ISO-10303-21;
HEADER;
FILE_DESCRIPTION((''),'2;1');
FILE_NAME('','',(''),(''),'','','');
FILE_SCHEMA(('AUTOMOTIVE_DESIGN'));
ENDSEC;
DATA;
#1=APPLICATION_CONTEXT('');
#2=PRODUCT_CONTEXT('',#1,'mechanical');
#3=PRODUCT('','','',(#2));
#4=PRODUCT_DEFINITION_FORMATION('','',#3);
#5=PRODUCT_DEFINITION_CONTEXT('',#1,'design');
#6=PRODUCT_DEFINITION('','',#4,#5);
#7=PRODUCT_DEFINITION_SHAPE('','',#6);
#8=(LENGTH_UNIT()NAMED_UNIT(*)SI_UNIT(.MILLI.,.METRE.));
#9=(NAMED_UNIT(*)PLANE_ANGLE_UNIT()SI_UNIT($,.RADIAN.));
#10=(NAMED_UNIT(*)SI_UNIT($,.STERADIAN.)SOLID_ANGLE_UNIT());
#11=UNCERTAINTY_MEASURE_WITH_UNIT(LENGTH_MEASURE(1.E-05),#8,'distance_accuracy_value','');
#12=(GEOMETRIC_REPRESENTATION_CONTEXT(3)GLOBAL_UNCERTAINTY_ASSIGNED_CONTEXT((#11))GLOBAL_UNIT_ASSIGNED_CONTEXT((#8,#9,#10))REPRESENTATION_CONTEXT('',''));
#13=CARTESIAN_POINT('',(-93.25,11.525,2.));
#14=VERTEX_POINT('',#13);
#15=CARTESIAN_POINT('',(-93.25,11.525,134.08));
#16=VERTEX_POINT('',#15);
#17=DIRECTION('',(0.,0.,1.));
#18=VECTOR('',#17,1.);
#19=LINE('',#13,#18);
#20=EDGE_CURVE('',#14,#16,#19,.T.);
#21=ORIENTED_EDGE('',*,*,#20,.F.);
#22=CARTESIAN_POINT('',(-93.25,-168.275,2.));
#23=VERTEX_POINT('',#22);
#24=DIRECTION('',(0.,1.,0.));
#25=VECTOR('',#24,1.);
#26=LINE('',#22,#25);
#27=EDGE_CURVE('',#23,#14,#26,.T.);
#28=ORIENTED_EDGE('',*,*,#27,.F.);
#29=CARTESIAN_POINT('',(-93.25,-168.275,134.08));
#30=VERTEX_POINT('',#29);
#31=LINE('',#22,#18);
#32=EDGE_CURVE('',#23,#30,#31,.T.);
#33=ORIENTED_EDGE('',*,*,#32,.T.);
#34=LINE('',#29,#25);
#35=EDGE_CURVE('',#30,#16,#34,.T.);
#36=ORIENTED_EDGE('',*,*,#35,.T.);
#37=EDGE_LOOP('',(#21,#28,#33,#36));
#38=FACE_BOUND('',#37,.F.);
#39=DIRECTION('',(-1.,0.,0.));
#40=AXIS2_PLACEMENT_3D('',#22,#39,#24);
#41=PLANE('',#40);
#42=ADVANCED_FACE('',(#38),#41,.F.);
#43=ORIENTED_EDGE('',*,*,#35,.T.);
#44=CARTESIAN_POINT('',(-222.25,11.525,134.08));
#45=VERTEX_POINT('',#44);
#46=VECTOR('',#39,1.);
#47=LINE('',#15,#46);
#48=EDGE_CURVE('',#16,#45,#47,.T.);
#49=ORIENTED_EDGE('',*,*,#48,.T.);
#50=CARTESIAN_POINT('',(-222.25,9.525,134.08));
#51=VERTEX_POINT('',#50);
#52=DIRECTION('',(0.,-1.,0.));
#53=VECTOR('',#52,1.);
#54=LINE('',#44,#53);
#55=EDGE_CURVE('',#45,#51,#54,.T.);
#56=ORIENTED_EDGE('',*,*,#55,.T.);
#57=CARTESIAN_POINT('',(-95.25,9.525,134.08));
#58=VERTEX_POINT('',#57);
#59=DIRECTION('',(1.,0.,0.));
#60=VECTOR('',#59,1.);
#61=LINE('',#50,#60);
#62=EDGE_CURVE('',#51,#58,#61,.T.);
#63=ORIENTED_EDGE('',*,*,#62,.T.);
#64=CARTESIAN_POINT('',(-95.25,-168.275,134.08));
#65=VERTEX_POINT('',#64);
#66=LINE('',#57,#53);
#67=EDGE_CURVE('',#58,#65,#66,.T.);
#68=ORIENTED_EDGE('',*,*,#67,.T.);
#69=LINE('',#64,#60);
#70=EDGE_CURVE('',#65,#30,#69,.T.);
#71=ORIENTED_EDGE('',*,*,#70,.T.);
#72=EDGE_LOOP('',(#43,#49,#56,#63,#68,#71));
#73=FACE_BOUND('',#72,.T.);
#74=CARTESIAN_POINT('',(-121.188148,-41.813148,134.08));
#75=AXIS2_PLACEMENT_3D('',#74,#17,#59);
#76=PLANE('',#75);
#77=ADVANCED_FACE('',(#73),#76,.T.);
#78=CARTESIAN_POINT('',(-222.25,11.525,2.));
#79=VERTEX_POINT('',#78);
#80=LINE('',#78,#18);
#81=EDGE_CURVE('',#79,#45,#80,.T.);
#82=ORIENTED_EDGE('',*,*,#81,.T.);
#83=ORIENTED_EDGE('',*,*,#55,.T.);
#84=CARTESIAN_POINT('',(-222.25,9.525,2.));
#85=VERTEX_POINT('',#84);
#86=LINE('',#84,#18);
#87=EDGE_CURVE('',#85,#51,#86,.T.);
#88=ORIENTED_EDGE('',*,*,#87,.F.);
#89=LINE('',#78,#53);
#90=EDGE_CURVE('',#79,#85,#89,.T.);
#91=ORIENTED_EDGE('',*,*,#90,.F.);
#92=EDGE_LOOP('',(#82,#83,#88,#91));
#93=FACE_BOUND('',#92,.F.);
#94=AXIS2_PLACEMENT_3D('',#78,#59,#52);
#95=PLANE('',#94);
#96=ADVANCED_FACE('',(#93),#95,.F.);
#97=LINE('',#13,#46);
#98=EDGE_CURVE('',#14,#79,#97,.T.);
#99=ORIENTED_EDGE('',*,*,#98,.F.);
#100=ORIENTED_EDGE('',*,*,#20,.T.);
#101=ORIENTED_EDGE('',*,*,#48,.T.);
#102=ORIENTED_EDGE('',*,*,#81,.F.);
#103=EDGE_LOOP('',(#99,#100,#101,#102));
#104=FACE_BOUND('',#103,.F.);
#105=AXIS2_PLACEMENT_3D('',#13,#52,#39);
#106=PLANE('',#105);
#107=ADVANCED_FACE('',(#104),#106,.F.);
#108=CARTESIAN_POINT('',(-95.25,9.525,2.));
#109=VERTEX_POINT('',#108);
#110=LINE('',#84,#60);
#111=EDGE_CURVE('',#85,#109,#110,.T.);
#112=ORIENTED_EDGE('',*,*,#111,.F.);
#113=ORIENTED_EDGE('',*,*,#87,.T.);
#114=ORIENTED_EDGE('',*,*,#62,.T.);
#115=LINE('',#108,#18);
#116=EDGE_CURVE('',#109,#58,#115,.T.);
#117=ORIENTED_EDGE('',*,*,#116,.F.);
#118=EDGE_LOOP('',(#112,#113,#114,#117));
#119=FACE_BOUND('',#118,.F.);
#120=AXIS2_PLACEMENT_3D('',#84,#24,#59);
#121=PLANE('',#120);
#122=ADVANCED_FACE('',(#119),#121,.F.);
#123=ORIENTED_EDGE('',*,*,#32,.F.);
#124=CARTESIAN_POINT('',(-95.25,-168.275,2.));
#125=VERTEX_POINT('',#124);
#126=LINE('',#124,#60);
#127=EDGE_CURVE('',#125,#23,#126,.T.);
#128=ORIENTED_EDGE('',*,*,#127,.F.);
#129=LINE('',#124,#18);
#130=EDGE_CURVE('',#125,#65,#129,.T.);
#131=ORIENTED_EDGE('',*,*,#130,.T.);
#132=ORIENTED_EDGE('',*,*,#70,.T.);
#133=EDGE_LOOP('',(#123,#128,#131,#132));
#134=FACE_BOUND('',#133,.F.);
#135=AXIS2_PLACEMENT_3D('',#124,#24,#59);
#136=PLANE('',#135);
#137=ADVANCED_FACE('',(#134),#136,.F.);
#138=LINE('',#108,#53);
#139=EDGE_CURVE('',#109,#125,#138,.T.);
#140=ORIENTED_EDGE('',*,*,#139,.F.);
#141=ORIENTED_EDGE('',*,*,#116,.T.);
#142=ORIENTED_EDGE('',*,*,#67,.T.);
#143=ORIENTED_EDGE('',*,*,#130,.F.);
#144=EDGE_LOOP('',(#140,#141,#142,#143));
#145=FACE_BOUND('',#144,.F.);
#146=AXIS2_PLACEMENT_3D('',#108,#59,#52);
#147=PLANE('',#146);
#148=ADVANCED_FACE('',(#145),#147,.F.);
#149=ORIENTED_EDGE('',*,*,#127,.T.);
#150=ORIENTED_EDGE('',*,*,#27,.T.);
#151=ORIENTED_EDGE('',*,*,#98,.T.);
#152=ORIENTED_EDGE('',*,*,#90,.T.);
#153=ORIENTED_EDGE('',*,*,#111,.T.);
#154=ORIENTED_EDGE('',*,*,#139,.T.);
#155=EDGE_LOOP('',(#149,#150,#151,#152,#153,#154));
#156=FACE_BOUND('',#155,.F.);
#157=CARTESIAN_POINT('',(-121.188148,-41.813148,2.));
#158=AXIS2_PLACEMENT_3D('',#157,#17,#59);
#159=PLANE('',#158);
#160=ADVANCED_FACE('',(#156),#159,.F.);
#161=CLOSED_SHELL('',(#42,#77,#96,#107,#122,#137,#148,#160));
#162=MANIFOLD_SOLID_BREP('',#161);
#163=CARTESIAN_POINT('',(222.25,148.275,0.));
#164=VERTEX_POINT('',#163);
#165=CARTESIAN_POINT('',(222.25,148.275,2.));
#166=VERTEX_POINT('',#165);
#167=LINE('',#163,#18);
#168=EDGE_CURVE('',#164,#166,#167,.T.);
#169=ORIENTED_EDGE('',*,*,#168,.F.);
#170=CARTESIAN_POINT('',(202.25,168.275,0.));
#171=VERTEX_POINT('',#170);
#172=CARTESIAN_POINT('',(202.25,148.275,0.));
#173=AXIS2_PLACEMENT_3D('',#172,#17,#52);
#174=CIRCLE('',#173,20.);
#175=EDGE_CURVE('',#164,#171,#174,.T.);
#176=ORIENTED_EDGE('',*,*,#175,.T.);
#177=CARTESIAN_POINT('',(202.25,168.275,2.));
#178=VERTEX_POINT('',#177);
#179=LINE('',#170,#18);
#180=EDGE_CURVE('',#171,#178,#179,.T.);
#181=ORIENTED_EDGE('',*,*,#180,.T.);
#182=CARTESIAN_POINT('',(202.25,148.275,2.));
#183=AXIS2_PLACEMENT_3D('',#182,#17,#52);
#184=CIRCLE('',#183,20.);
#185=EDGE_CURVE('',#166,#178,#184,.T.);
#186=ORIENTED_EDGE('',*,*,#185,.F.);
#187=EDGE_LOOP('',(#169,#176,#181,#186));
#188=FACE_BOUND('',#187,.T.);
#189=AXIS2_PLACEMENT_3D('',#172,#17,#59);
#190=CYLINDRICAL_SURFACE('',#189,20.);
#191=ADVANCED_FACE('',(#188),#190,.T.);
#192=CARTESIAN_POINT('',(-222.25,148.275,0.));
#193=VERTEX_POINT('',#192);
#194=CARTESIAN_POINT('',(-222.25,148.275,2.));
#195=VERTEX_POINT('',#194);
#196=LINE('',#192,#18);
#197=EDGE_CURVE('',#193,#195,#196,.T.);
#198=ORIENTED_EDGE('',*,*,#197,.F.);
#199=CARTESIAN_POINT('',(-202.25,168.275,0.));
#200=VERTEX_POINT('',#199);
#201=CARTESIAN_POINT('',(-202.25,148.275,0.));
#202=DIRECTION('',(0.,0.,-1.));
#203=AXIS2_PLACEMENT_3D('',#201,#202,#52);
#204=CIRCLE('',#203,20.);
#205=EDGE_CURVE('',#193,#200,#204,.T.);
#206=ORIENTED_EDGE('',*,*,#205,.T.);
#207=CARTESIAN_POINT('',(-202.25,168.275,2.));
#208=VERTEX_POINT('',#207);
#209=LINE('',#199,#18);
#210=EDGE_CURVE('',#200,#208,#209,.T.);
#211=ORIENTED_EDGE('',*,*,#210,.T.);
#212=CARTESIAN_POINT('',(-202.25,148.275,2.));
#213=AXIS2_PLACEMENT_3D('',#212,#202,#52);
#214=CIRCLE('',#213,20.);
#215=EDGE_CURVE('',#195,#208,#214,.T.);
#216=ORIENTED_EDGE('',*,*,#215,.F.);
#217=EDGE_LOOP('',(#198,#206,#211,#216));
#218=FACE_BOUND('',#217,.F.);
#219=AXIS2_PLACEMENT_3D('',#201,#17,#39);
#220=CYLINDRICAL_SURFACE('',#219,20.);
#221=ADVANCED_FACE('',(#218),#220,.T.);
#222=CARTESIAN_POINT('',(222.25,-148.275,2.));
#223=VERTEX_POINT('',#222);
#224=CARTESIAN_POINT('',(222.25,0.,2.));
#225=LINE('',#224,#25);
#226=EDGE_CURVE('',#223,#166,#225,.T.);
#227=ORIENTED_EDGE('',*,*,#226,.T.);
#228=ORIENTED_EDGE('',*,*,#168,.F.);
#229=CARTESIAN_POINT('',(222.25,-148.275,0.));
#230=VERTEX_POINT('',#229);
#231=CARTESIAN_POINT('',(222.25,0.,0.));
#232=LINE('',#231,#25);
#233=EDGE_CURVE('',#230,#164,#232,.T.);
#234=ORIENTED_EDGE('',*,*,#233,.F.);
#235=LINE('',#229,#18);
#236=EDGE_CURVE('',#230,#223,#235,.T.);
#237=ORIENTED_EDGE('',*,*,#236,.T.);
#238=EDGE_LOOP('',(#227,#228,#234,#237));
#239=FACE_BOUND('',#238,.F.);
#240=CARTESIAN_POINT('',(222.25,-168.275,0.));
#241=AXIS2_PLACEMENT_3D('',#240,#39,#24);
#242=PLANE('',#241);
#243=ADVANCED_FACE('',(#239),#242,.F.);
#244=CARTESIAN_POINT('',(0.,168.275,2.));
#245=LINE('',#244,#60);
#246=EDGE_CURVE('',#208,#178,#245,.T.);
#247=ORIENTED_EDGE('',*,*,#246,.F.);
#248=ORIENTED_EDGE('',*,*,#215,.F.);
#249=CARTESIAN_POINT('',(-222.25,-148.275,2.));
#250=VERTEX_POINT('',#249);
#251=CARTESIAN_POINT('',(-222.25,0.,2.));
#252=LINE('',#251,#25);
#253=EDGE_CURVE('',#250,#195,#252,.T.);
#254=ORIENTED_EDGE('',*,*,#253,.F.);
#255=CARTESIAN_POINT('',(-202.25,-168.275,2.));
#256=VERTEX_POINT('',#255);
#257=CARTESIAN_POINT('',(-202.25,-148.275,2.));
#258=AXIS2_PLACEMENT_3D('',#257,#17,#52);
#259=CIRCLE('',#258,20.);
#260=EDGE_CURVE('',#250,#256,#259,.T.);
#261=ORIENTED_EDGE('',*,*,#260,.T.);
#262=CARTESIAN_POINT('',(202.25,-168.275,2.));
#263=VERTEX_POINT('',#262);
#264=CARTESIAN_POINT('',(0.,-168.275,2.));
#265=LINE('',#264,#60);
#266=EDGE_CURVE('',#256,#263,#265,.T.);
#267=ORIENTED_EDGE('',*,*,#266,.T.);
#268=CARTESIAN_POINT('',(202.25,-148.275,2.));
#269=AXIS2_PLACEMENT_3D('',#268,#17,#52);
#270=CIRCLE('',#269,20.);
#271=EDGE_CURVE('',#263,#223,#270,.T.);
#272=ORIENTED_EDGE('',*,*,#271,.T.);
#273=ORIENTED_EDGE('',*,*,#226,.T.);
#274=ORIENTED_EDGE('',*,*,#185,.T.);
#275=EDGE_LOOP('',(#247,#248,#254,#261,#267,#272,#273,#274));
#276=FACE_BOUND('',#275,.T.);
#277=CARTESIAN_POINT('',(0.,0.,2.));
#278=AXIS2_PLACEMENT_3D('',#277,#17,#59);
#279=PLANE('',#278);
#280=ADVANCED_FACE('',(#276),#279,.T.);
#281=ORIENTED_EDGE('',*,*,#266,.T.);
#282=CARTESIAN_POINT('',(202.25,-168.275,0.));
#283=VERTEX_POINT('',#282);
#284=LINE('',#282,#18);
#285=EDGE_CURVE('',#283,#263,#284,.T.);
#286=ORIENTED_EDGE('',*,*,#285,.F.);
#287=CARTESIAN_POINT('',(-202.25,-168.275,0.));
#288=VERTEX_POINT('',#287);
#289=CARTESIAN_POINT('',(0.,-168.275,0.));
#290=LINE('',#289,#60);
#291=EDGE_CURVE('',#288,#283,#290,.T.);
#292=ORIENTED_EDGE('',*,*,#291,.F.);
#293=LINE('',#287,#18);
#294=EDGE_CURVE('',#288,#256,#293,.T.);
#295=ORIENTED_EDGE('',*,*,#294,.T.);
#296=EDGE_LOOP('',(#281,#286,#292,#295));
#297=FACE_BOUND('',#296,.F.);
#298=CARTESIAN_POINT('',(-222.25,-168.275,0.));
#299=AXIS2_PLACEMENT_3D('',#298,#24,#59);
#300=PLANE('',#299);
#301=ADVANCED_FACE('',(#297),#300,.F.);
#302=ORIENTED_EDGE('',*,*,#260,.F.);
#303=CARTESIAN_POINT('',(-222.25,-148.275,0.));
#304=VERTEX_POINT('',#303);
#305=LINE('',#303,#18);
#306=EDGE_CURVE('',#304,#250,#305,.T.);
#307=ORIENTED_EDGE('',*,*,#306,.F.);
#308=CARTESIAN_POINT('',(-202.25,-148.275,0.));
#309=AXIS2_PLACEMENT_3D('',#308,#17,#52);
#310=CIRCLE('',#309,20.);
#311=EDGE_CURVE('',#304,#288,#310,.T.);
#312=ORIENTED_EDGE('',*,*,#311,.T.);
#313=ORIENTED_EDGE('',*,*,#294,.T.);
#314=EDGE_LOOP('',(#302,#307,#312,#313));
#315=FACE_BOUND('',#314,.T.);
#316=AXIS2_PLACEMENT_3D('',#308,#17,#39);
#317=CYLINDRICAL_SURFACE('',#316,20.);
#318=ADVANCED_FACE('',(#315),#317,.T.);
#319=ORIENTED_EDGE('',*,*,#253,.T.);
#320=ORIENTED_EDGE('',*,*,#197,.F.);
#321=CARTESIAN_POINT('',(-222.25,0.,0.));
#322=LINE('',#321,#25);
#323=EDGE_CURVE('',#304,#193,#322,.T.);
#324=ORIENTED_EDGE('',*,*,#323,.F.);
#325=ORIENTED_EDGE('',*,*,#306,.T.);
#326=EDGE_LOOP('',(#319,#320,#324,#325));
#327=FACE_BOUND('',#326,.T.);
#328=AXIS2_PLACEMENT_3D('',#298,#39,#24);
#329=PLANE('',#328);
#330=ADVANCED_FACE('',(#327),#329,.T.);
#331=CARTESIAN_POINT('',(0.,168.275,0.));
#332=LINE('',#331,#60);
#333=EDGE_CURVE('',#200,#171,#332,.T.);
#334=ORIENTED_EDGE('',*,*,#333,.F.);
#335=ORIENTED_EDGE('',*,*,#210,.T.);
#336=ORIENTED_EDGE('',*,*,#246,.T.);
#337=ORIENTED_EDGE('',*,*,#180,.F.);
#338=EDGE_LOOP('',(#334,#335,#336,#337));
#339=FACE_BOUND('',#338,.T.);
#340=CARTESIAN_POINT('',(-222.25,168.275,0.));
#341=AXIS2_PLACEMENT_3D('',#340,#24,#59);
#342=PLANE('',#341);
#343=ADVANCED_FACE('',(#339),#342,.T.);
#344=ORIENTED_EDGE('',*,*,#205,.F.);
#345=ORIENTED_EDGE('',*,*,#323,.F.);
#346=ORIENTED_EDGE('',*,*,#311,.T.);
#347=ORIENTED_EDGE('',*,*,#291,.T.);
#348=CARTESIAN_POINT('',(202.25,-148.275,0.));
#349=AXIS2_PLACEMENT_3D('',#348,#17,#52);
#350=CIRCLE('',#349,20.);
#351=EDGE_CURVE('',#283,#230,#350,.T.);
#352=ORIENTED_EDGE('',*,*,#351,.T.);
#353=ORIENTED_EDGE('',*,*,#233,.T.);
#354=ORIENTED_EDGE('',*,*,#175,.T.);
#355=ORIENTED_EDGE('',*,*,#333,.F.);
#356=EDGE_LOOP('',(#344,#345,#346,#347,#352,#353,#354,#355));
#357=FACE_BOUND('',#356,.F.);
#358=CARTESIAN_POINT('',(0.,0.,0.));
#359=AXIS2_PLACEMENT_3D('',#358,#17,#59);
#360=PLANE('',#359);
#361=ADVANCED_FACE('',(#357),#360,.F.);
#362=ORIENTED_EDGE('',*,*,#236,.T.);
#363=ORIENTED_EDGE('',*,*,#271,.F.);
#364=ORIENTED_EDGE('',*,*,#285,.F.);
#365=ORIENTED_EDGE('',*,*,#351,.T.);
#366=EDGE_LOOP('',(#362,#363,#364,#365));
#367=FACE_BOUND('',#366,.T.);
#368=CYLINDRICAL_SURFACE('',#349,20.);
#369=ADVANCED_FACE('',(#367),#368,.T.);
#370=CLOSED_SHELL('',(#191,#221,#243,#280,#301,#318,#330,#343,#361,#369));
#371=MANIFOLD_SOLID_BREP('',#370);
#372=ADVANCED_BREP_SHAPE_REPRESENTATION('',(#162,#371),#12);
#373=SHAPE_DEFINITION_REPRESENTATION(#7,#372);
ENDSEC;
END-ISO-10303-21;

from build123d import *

# Parameters (mm, degrees)
F0_W     = 444.5
F0_H     = 336.55
F1_DEPTH = 2
F3_DEPTH = 132.08
F4_R     = 20


with BuildPart() as f1:
    # F0 (on Top) → F1 (new body)
    with BuildSketch(Plane.XY):
        Rectangle(F0_W, F0_H)
    extrude(amount=F1_DEPTH)

    # F4
    f4_edges = [f1.edges().sort_by_distance(p)[0] for p in [
        (222.25, -168.275, 1),
        (-222.25, -168.275, 1),
        (-222.25, 168.275, 1),
        (222.25, 168.275, 1),
    ]]
    fillet(f4_edges, radius=F4_R)


with BuildPart() as f3:
    # F2 (on face) → F3 (new body)
    with BuildSketch(Plane.XY.offset(2)):
        Polygon((-222.25, 11.525), (-222.25, 9.525), (-95.25, 9.525), (-95.25, -168.275), (-93.25, -168.275), (-93.25, 11.525), align=None)
    extrude(amount=F3_DEPTH)


solid = Compound([f1.part, f3.part])
